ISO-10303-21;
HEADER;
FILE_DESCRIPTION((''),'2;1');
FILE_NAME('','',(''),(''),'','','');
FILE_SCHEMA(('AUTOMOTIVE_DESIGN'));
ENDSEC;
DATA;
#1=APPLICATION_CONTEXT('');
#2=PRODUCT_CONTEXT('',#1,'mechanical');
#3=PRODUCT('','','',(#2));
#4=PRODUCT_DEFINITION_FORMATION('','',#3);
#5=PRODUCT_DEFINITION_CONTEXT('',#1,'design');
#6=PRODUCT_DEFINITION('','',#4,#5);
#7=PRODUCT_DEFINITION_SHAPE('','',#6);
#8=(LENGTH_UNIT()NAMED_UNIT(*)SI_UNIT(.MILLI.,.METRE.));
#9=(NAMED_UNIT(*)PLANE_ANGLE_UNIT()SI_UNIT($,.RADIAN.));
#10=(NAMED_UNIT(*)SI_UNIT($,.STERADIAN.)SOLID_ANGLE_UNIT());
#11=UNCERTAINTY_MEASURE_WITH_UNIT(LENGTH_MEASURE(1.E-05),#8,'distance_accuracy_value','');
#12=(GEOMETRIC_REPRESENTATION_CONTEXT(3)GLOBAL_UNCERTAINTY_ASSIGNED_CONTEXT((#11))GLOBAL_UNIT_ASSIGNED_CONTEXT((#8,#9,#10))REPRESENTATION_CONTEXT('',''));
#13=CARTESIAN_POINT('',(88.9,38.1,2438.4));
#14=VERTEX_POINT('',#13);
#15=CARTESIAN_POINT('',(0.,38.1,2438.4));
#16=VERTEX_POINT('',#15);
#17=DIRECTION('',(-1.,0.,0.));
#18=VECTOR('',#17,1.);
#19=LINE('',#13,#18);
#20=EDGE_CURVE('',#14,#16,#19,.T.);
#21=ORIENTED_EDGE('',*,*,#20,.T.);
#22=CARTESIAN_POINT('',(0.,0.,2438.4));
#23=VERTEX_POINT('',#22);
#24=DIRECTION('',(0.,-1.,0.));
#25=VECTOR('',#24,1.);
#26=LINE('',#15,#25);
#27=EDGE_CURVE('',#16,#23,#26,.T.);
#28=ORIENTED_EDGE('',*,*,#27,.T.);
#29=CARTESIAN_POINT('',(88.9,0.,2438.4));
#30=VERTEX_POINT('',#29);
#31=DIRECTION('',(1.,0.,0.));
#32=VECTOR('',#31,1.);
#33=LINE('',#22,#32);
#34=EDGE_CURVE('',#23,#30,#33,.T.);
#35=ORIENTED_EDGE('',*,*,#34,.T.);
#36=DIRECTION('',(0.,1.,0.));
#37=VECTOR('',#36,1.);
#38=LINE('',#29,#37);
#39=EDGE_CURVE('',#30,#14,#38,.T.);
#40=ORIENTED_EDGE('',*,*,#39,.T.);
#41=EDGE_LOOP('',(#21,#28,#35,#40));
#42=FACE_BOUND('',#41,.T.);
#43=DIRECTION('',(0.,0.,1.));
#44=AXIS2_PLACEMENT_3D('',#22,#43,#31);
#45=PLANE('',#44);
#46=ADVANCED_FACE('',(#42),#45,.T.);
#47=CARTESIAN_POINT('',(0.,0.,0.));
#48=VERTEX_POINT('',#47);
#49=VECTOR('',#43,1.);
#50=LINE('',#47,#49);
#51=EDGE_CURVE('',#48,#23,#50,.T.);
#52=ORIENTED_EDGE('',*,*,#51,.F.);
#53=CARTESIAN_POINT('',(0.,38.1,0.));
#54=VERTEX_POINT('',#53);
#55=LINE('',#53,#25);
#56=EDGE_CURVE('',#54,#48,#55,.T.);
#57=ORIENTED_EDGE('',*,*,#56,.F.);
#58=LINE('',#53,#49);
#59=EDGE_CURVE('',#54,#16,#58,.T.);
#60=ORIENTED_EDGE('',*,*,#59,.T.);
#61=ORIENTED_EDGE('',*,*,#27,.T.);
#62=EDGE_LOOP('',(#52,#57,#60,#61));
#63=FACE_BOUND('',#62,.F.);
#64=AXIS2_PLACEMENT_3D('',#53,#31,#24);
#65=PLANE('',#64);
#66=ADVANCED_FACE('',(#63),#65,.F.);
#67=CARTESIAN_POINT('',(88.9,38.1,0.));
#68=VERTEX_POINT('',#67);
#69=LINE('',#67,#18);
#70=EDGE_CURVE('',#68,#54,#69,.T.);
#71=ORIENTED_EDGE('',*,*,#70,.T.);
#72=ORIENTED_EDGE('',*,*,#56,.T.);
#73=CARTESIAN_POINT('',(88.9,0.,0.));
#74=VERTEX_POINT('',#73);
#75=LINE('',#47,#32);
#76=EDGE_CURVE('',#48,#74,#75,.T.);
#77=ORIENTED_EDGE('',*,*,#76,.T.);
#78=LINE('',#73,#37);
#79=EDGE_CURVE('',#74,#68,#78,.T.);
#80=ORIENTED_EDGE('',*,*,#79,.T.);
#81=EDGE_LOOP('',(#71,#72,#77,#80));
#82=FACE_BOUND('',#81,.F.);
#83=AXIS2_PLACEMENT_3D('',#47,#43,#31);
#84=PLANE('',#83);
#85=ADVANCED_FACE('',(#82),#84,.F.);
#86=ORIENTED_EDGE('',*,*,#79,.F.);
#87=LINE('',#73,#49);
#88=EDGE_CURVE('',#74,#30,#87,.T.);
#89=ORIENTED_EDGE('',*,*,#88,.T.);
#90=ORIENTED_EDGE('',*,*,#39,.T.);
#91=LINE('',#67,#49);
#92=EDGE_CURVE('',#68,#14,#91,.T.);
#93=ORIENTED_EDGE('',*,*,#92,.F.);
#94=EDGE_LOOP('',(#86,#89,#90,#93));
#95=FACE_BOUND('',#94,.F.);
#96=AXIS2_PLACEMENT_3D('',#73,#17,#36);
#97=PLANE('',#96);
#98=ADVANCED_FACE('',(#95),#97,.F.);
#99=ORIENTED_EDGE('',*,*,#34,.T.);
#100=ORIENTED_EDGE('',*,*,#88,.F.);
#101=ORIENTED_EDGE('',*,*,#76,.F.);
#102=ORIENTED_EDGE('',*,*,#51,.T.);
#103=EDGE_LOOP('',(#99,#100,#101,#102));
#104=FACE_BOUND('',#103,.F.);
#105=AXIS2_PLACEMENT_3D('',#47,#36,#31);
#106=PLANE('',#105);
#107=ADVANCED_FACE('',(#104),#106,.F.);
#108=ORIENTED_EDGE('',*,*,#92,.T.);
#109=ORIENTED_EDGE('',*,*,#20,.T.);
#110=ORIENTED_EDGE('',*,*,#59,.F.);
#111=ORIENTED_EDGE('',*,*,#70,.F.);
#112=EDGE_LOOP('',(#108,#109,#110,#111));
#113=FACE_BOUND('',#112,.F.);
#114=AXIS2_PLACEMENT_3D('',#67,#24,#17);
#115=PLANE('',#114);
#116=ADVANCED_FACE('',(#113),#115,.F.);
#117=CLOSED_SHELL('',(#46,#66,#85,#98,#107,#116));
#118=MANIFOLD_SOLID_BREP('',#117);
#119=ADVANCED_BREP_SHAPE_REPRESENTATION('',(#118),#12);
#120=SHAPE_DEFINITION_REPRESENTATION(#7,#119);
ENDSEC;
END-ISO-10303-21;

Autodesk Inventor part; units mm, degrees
ref_plane "YZ Plane" through (0, 0, 0) normal (1, 0, 0) x (0, 1, 0)
ref_plane "XZ Plane" through (0, 0, 0) normal (0, 1, 0) x (-1, 0, 0)
ref_plane "XY Plane" through (0, 0, 0) normal (0, 0, 1) x (1, 0, 0)
sketch "Sketch1" plane through (0, 0, 0) normal (0, 0, 1) x (1, 0, 0)
  line L0 (0, 0) -> (88.9, 0)
  line L1 (88.9, 0) -> (88.9, 38.1)
  line L2 (88.9, 38.1) -> (0, 38.1)
  line L3 (0, 38.1) -> (0, 0)
  dimension "d0" = 88.9
  dimension "d1" = 38.1
extrude "Extrusion1" add sketch "Sketch1" along normal blind 2438.4
properties part number "Plate_With_Length_96_Inches" material "Wood (Birch)"
